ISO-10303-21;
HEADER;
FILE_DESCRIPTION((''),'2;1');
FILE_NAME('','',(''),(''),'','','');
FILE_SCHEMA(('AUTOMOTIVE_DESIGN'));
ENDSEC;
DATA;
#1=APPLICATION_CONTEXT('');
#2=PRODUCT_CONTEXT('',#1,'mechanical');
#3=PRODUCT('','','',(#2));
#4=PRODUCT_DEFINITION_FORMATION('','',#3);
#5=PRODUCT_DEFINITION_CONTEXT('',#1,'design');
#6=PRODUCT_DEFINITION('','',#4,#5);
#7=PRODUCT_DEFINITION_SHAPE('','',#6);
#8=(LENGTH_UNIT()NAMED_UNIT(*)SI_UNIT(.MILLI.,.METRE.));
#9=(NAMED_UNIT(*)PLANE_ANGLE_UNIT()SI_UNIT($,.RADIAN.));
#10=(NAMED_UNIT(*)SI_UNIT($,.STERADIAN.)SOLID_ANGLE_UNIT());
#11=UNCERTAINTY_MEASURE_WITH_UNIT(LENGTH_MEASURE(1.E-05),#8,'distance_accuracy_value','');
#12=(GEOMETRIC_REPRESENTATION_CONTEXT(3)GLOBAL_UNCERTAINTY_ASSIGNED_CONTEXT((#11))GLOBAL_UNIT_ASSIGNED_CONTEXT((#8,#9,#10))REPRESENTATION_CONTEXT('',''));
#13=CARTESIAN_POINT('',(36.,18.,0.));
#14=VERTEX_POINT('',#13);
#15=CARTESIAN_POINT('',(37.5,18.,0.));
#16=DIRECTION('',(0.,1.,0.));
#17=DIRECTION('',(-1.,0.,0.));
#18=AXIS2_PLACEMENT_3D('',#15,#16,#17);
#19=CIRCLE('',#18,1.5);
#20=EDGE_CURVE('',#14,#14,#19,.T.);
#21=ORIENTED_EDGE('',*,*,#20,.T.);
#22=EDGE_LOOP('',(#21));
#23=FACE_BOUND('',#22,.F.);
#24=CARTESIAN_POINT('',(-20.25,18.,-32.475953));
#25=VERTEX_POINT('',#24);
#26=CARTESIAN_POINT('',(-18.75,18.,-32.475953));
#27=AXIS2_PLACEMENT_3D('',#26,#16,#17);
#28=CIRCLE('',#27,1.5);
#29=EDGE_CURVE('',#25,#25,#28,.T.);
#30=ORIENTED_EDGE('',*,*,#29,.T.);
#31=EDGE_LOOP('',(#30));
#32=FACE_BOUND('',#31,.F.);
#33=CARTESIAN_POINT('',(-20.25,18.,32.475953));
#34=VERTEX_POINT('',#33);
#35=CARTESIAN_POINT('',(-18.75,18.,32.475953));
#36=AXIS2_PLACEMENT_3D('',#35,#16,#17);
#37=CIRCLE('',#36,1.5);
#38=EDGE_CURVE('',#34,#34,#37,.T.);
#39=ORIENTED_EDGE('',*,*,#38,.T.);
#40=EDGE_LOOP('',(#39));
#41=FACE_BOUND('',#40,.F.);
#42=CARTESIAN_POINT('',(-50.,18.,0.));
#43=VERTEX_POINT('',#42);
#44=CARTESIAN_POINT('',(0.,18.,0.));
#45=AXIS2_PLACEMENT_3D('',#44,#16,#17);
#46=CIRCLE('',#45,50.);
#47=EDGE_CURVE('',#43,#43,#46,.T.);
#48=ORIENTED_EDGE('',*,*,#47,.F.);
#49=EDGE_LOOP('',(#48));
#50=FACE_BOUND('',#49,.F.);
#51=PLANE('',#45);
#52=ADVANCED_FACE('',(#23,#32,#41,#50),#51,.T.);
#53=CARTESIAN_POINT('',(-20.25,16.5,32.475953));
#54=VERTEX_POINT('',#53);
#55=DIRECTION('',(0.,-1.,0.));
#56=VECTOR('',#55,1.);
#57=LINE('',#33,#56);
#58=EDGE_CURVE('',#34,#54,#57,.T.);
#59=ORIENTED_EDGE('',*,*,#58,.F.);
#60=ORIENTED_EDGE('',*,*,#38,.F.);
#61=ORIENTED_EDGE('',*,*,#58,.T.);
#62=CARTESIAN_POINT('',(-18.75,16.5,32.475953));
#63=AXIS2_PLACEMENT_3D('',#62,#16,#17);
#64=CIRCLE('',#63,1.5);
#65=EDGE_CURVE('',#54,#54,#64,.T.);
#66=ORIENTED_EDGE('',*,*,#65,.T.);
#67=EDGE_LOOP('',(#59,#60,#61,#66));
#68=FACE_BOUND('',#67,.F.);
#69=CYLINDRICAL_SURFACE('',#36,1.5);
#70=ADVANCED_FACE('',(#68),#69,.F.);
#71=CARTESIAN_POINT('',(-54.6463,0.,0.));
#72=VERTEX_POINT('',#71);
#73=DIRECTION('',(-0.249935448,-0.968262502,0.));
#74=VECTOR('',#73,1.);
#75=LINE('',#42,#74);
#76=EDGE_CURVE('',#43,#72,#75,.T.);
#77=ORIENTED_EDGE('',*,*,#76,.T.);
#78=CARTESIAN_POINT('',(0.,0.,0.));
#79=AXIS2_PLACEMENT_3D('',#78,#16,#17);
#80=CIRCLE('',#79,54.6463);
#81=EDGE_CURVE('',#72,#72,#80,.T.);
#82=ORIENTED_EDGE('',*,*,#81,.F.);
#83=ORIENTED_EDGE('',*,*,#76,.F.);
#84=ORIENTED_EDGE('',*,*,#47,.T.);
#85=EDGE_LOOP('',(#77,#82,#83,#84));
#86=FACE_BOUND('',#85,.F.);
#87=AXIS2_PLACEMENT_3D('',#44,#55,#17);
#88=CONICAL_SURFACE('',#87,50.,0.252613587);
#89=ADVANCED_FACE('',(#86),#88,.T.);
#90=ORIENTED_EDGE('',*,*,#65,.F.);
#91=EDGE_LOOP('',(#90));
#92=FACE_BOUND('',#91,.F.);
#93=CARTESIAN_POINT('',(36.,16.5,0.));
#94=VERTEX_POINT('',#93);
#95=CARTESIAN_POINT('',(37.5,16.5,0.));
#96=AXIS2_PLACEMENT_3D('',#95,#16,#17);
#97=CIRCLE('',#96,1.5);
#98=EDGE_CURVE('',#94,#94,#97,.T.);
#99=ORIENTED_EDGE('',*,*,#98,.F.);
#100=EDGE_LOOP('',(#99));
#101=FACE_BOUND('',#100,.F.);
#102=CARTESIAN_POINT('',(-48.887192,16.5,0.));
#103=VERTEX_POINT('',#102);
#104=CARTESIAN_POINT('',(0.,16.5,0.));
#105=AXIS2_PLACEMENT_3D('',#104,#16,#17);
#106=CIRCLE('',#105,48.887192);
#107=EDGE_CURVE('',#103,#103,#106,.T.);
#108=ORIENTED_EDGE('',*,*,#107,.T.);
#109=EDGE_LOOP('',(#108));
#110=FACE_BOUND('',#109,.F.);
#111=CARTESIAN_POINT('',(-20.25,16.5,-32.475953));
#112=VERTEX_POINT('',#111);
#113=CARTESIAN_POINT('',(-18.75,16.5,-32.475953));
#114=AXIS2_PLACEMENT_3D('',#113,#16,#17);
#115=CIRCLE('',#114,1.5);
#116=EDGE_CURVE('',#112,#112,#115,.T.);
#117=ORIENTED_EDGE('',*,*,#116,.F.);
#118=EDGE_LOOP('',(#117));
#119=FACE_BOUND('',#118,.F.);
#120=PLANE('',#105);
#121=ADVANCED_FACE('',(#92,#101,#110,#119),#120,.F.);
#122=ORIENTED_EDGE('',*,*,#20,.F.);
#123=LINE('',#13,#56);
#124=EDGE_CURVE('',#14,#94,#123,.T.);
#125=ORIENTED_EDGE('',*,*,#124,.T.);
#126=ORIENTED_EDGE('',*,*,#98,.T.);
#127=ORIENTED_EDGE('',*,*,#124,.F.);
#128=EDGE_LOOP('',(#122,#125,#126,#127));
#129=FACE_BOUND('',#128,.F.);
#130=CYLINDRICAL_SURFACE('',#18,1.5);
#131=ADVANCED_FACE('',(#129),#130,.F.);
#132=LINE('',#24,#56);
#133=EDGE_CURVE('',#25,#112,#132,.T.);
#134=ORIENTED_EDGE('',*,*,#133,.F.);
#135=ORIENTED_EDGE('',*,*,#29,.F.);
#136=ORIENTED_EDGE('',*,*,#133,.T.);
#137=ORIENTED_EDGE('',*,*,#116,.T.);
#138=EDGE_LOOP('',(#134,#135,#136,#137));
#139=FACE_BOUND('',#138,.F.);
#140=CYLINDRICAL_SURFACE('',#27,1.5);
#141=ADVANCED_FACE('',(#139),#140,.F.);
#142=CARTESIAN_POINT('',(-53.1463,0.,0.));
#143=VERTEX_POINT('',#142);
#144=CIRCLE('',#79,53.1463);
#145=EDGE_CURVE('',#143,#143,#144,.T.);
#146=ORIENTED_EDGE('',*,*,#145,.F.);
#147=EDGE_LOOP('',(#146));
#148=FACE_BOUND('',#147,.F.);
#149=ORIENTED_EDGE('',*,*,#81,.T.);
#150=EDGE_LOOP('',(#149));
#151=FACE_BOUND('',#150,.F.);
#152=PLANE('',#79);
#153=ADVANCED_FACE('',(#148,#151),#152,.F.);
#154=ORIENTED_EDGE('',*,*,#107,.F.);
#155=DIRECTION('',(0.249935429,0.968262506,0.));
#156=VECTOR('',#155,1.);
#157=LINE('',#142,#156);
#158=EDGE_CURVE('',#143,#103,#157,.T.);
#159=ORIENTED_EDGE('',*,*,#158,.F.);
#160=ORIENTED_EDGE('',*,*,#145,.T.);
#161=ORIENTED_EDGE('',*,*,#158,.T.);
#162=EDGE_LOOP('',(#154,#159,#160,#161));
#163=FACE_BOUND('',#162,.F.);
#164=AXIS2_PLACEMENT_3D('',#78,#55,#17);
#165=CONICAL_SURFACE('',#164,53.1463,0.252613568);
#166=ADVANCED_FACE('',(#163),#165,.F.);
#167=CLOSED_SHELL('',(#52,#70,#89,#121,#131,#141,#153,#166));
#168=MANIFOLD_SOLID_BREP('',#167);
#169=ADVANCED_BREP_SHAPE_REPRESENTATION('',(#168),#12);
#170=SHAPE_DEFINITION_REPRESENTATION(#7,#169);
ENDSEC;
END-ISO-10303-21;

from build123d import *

# Parameters (mm, degrees)
SKETCH001_R = 1.5
HOLE_DEPTH  = 25


with BuildPart() as part:
    # Sketch → Revolution (revolve)
    with BuildSketch(Plane.XY):
        Polygon((-54.6463, 0), (-53.1463, 0), (-48.887192, 16.5), (0, 16.5), (0, 18), (-50, 18), align=None)
    revolve(axis=Axis((0, 0, 0), (0, 1, 0)))

    # Sketch001 (on Face4 of Revolution) → Hole (cut)
    with BuildSketch(Plane(origin=(0, 18, 0), x_dir=(-1, 0, 0), z_dir=(0, 1, 0))):
        with Locations((-37.5, 0)):
            Circle(SKETCH001_R)
        with Locations((18.75, 32.475953)):
            Circle(SKETCH001_R)
        with Locations((18.75, -32.475953)):
            Circle(SKETCH001_R)
    extrude(amount=-HOLE_DEPTH, mode=Mode.SUBTRACT)


solid = part.part
